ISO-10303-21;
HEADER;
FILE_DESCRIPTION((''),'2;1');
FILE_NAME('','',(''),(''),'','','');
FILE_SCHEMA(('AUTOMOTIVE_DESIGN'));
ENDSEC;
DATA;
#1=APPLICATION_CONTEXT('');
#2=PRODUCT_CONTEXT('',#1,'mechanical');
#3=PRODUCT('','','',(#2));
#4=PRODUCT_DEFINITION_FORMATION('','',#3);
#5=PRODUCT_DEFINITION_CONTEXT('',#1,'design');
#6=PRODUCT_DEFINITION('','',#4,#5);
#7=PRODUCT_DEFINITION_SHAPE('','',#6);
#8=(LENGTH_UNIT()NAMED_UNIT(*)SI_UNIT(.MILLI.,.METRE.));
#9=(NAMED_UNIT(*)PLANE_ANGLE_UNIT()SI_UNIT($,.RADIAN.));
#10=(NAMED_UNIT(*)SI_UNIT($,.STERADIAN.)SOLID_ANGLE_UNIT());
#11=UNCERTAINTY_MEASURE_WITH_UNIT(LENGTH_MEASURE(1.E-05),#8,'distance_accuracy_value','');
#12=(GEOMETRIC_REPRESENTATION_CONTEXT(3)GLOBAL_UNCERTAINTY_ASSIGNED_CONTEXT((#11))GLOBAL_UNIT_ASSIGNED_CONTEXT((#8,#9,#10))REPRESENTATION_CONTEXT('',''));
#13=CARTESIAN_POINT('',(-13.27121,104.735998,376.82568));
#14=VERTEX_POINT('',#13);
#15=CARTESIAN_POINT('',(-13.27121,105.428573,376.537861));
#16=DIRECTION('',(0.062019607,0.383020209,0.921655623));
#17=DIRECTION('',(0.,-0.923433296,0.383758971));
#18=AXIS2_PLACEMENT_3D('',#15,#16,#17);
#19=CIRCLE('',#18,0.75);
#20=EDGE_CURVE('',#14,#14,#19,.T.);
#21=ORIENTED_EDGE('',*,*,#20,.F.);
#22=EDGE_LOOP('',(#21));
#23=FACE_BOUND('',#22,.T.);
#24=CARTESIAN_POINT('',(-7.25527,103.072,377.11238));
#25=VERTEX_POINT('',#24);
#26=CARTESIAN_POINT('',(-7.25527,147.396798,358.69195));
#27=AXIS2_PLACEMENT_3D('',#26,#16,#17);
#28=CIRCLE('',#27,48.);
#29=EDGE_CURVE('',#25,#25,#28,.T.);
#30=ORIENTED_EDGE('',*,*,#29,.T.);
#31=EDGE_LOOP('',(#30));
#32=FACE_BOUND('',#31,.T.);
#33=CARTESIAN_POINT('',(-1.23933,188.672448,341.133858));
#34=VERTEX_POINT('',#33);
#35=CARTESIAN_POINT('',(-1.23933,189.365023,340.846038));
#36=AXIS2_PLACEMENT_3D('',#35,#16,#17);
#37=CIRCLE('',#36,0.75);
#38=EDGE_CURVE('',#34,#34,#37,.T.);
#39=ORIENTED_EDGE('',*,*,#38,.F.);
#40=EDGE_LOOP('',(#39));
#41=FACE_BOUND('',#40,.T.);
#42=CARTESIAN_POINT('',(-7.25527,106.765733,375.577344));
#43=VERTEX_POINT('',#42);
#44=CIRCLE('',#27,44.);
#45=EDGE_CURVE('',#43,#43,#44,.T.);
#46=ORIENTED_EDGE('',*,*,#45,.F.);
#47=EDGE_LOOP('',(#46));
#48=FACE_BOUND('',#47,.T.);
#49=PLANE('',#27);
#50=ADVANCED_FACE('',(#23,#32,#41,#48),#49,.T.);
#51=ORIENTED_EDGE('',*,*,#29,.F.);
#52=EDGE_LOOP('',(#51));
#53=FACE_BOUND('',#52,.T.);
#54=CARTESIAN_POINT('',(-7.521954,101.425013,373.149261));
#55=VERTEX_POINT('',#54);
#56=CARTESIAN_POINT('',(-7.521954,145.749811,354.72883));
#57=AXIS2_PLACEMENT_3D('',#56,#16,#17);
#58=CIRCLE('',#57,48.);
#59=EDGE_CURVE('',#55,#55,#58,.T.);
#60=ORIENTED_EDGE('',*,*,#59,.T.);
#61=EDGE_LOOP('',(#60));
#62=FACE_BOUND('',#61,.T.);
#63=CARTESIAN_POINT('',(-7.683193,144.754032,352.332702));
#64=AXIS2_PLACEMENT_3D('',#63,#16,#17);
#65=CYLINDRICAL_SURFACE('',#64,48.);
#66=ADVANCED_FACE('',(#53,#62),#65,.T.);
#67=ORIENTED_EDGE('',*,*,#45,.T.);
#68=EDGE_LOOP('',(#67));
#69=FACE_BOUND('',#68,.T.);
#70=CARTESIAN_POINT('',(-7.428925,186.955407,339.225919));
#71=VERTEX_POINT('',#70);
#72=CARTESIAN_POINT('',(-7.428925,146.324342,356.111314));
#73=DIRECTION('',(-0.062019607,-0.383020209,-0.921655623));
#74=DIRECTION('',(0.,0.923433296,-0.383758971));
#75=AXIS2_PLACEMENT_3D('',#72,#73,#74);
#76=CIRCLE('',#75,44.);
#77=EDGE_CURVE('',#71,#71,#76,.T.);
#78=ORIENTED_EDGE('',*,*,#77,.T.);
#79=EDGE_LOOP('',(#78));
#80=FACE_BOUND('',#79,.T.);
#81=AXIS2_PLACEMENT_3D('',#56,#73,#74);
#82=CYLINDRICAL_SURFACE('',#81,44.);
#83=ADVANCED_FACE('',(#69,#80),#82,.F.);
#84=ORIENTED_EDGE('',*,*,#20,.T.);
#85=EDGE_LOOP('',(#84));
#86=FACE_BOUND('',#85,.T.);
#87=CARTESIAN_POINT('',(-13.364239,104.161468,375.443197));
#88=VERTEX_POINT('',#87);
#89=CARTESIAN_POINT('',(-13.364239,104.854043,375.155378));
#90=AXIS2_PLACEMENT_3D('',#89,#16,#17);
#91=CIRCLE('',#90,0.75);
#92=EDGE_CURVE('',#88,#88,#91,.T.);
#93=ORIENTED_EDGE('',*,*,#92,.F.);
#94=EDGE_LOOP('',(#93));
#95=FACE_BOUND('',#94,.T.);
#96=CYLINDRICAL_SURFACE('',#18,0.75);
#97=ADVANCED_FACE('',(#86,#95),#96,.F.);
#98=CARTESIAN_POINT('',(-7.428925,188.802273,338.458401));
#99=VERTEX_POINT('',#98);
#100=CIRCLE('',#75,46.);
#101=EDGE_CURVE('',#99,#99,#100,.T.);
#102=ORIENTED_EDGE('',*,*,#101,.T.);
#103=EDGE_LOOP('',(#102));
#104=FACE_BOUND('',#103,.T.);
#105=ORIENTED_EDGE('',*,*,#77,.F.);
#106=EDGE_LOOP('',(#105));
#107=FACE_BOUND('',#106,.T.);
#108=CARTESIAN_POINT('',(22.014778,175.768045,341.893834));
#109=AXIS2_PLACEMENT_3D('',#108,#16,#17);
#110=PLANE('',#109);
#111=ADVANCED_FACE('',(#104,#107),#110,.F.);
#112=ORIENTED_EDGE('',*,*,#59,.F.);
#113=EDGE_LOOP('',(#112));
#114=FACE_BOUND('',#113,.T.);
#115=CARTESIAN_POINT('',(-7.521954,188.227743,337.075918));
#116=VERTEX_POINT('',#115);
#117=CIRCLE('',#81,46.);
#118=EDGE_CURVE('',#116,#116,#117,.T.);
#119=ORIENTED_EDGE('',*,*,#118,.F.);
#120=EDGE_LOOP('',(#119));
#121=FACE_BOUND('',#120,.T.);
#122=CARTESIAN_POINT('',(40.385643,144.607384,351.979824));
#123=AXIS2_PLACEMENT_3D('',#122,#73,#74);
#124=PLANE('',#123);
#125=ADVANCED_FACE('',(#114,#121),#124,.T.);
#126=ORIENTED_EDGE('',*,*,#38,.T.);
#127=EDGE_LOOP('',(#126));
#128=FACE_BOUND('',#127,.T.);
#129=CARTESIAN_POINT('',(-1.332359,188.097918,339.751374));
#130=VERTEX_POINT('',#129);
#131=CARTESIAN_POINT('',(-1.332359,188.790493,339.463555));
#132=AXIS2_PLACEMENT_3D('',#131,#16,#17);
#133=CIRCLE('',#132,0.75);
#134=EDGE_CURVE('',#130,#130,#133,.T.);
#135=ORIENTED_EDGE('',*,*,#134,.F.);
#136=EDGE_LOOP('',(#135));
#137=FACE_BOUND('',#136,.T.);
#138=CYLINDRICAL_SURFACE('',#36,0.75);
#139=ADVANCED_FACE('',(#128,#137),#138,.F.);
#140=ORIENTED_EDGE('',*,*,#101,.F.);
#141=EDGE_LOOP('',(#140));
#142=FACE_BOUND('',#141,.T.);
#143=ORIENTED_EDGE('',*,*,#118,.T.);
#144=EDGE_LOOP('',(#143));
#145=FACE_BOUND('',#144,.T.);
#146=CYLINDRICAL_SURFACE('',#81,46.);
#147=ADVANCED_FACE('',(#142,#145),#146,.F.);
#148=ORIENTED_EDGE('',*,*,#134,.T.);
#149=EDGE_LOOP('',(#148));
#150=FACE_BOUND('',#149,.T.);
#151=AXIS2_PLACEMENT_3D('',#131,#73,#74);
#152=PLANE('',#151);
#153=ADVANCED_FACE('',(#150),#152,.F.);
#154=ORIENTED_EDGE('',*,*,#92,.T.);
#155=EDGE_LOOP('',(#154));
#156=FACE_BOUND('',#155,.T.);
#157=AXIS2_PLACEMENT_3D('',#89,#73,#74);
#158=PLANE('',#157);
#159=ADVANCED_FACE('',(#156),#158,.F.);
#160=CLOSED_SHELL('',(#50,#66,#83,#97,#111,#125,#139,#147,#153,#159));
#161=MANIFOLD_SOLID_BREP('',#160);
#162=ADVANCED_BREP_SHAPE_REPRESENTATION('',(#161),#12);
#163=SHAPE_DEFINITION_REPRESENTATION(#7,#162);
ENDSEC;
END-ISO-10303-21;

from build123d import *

# Parameters (mm, degrees)
PER_AGE1_D                   = 1.5
PER_AGE1_DEPTH               = 1.5
R_P_TITION_CIRCULAIRE1_COUNT = 2
PER_AGE3_D                   = 88
PER_AGE3_DEPTH               = 41.419450184
PER_AGE3_CBORE_D             = 92
PER_AGE3_CBORE_DEPTH         = 1.5


with BuildPart() as part:
    # Esquisse1 → Révolution1 (revolve)
    with BuildSketch(Plane(origin=(0, -1.422218517, 0.591043356), x_dir=(-1, 0, 0), z_dir=(0, 0.923433296037535, -0.38375897093000255)), mode=Mode.PRIVATE) as r_volution1_sk:
        Polygon((-40.385642644, 380.524269691), (7.521954057, 383.501210806), (7.255269748, 387.792933011), (-40.652326952, 384.815991896), align=None)
    revolve(r_volution1_sk.sketch.rotate(Axis((-7.683193189, 144.754032103, 352.33270189), (0.062019606567244694, 0.3830202085297531, 0.9216556234619678)), 270), axis=Axis((-7.683193189, 144.754032103, 352.33270189), (0.062019606567244694, 0.3830202085297531, 0.9216556234619678)))

    # Perçage1
    with Locations(Plane(origin=(23.97655886, 148.074247526, 356.308779232), x_dir=(0.9980749312557872, -0.023800580393729533, -0.05727096971134188), z_dir=(0.062019606567244694, 0.3830202085297554, 0.9216556234619669))):
        with Locations((-25.264524434, 44.063242824)):
            per_age1 = Hole(PER_AGE1_D / 2, depth=PER_AGE1_DEPTH)

    # Répétition circulaire1: Perçage1 ×2 about axis
    r_p_tition_circulaire1_axis = Axis((-31.231828608, -0.677449137, 2.383170434), (0.062019606567244756, 0.3830202085297553, 0.9216556234619669))
    for i in range(1, R_P_TITION_CIRCULAIRE1_COUNT):
        add(per_age1.rotate(r_p_tition_circulaire1_axis, i * 360 / R_P_TITION_CIRCULAIRE1_COUNT), mode=Mode.SUBTRACT)

    # Perçage3
    with Locations(Plane(origin=(23.709874552, 146.42726063, 352.345660051), x_dir=(-0.9980749312557872, 0.023800580393729533, 0.05727096971134188), z_dir=(-0.062019606567244694, -0.3830202085297554, -0.9216556234619669))):
        with Locations((31.29206799, -1.540142123)):
            CounterBoreHole(PER_AGE3_D / 2, PER_AGE3_CBORE_D / 2, PER_AGE3_CBORE_DEPTH, depth=PER_AGE3_DEPTH)


solid = part.part
